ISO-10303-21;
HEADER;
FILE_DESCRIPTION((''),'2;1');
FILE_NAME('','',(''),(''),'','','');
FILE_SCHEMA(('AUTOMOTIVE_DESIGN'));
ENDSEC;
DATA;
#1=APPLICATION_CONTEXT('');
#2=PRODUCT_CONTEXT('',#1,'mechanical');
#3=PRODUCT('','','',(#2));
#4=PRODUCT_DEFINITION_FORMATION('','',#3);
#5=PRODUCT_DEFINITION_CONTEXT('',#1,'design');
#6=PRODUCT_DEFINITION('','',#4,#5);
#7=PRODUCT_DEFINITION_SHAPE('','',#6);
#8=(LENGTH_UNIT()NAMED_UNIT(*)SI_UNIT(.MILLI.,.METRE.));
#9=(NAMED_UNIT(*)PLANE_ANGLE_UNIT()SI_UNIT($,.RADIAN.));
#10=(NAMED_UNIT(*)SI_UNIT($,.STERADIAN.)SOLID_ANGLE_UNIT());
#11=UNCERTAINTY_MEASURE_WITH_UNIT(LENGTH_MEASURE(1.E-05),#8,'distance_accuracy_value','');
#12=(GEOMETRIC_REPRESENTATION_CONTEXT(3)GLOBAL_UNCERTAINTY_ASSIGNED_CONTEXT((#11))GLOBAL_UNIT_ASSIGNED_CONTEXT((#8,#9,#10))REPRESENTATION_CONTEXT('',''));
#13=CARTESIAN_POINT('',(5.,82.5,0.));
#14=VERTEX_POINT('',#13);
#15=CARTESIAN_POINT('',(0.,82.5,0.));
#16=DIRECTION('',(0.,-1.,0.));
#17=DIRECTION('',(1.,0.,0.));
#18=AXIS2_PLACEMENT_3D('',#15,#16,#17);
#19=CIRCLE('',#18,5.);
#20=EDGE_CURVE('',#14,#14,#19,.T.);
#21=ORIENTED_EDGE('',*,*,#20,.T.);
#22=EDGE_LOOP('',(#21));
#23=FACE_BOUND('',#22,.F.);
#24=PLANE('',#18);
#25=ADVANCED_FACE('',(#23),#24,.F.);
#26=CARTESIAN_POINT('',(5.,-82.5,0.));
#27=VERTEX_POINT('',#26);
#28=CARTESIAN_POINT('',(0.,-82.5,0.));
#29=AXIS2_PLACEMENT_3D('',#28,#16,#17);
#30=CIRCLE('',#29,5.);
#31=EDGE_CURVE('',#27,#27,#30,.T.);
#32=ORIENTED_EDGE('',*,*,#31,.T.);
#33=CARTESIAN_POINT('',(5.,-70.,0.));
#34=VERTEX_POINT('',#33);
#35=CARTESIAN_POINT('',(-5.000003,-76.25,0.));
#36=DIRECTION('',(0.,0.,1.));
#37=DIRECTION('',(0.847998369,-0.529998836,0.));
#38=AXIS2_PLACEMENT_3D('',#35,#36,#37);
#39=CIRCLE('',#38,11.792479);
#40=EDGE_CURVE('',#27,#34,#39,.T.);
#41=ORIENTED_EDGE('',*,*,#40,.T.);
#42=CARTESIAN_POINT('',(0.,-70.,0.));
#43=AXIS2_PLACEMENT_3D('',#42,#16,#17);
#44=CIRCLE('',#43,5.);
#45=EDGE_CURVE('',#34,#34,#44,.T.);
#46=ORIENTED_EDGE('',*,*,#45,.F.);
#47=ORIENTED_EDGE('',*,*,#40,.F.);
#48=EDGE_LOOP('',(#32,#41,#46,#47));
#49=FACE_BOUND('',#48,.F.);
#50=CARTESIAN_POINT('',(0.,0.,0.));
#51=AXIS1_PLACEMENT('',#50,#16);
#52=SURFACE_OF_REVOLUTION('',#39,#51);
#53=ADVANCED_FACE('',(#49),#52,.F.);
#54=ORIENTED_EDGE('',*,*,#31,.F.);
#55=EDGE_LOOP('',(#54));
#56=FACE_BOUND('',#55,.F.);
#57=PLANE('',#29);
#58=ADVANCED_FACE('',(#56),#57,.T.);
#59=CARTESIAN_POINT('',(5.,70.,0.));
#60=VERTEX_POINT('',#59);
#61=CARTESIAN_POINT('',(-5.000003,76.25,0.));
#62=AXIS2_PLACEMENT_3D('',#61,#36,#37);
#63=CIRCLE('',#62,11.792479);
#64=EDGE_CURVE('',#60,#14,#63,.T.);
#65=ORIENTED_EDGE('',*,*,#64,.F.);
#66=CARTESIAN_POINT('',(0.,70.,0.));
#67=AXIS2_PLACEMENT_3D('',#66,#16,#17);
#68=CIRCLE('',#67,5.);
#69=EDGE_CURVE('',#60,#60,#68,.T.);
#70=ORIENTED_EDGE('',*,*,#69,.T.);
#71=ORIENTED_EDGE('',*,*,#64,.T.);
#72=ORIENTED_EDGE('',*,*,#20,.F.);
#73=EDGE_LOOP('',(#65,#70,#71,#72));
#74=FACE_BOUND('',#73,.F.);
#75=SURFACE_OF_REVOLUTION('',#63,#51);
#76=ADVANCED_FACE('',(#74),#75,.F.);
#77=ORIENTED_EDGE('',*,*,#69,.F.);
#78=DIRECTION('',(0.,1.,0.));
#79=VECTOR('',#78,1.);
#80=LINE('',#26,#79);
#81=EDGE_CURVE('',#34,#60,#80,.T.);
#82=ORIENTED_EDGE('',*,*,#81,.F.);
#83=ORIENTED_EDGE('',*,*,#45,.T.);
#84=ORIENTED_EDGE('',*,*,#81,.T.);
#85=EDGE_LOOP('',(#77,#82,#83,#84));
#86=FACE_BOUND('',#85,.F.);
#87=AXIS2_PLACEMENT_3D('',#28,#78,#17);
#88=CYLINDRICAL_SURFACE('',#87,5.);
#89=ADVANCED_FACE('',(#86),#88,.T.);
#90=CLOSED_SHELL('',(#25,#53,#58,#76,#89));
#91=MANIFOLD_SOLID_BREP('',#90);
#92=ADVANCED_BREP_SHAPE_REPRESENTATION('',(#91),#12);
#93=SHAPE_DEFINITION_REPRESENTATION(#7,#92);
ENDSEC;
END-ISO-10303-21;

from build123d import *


with BuildPart() as f1:
    # F0 (on Top) → F1 (revolve)
    with BuildSketch(Plane.XY):
        Polygon((5, 82.5), (0, 82.5), (0, -82.5), (5, -82.5), (5, -70), (5, 0), (5, 70), align=None)
        with BuildLine():
            ThreePointArc((5, 70), (6.792476, 76.25), (5, 82.5))
            Line((5, 82.5), (5, 70))
        make_face()
        with BuildLine():
            Line((5, -70), (5, -82.5))
            ThreePointArc((5, -82.5), (6.792476, -76.25), (5, -70))
        make_face()
    revolve(axis=Axis((0, 0, 0), (0, -1, 0)))


solid = f1.part
